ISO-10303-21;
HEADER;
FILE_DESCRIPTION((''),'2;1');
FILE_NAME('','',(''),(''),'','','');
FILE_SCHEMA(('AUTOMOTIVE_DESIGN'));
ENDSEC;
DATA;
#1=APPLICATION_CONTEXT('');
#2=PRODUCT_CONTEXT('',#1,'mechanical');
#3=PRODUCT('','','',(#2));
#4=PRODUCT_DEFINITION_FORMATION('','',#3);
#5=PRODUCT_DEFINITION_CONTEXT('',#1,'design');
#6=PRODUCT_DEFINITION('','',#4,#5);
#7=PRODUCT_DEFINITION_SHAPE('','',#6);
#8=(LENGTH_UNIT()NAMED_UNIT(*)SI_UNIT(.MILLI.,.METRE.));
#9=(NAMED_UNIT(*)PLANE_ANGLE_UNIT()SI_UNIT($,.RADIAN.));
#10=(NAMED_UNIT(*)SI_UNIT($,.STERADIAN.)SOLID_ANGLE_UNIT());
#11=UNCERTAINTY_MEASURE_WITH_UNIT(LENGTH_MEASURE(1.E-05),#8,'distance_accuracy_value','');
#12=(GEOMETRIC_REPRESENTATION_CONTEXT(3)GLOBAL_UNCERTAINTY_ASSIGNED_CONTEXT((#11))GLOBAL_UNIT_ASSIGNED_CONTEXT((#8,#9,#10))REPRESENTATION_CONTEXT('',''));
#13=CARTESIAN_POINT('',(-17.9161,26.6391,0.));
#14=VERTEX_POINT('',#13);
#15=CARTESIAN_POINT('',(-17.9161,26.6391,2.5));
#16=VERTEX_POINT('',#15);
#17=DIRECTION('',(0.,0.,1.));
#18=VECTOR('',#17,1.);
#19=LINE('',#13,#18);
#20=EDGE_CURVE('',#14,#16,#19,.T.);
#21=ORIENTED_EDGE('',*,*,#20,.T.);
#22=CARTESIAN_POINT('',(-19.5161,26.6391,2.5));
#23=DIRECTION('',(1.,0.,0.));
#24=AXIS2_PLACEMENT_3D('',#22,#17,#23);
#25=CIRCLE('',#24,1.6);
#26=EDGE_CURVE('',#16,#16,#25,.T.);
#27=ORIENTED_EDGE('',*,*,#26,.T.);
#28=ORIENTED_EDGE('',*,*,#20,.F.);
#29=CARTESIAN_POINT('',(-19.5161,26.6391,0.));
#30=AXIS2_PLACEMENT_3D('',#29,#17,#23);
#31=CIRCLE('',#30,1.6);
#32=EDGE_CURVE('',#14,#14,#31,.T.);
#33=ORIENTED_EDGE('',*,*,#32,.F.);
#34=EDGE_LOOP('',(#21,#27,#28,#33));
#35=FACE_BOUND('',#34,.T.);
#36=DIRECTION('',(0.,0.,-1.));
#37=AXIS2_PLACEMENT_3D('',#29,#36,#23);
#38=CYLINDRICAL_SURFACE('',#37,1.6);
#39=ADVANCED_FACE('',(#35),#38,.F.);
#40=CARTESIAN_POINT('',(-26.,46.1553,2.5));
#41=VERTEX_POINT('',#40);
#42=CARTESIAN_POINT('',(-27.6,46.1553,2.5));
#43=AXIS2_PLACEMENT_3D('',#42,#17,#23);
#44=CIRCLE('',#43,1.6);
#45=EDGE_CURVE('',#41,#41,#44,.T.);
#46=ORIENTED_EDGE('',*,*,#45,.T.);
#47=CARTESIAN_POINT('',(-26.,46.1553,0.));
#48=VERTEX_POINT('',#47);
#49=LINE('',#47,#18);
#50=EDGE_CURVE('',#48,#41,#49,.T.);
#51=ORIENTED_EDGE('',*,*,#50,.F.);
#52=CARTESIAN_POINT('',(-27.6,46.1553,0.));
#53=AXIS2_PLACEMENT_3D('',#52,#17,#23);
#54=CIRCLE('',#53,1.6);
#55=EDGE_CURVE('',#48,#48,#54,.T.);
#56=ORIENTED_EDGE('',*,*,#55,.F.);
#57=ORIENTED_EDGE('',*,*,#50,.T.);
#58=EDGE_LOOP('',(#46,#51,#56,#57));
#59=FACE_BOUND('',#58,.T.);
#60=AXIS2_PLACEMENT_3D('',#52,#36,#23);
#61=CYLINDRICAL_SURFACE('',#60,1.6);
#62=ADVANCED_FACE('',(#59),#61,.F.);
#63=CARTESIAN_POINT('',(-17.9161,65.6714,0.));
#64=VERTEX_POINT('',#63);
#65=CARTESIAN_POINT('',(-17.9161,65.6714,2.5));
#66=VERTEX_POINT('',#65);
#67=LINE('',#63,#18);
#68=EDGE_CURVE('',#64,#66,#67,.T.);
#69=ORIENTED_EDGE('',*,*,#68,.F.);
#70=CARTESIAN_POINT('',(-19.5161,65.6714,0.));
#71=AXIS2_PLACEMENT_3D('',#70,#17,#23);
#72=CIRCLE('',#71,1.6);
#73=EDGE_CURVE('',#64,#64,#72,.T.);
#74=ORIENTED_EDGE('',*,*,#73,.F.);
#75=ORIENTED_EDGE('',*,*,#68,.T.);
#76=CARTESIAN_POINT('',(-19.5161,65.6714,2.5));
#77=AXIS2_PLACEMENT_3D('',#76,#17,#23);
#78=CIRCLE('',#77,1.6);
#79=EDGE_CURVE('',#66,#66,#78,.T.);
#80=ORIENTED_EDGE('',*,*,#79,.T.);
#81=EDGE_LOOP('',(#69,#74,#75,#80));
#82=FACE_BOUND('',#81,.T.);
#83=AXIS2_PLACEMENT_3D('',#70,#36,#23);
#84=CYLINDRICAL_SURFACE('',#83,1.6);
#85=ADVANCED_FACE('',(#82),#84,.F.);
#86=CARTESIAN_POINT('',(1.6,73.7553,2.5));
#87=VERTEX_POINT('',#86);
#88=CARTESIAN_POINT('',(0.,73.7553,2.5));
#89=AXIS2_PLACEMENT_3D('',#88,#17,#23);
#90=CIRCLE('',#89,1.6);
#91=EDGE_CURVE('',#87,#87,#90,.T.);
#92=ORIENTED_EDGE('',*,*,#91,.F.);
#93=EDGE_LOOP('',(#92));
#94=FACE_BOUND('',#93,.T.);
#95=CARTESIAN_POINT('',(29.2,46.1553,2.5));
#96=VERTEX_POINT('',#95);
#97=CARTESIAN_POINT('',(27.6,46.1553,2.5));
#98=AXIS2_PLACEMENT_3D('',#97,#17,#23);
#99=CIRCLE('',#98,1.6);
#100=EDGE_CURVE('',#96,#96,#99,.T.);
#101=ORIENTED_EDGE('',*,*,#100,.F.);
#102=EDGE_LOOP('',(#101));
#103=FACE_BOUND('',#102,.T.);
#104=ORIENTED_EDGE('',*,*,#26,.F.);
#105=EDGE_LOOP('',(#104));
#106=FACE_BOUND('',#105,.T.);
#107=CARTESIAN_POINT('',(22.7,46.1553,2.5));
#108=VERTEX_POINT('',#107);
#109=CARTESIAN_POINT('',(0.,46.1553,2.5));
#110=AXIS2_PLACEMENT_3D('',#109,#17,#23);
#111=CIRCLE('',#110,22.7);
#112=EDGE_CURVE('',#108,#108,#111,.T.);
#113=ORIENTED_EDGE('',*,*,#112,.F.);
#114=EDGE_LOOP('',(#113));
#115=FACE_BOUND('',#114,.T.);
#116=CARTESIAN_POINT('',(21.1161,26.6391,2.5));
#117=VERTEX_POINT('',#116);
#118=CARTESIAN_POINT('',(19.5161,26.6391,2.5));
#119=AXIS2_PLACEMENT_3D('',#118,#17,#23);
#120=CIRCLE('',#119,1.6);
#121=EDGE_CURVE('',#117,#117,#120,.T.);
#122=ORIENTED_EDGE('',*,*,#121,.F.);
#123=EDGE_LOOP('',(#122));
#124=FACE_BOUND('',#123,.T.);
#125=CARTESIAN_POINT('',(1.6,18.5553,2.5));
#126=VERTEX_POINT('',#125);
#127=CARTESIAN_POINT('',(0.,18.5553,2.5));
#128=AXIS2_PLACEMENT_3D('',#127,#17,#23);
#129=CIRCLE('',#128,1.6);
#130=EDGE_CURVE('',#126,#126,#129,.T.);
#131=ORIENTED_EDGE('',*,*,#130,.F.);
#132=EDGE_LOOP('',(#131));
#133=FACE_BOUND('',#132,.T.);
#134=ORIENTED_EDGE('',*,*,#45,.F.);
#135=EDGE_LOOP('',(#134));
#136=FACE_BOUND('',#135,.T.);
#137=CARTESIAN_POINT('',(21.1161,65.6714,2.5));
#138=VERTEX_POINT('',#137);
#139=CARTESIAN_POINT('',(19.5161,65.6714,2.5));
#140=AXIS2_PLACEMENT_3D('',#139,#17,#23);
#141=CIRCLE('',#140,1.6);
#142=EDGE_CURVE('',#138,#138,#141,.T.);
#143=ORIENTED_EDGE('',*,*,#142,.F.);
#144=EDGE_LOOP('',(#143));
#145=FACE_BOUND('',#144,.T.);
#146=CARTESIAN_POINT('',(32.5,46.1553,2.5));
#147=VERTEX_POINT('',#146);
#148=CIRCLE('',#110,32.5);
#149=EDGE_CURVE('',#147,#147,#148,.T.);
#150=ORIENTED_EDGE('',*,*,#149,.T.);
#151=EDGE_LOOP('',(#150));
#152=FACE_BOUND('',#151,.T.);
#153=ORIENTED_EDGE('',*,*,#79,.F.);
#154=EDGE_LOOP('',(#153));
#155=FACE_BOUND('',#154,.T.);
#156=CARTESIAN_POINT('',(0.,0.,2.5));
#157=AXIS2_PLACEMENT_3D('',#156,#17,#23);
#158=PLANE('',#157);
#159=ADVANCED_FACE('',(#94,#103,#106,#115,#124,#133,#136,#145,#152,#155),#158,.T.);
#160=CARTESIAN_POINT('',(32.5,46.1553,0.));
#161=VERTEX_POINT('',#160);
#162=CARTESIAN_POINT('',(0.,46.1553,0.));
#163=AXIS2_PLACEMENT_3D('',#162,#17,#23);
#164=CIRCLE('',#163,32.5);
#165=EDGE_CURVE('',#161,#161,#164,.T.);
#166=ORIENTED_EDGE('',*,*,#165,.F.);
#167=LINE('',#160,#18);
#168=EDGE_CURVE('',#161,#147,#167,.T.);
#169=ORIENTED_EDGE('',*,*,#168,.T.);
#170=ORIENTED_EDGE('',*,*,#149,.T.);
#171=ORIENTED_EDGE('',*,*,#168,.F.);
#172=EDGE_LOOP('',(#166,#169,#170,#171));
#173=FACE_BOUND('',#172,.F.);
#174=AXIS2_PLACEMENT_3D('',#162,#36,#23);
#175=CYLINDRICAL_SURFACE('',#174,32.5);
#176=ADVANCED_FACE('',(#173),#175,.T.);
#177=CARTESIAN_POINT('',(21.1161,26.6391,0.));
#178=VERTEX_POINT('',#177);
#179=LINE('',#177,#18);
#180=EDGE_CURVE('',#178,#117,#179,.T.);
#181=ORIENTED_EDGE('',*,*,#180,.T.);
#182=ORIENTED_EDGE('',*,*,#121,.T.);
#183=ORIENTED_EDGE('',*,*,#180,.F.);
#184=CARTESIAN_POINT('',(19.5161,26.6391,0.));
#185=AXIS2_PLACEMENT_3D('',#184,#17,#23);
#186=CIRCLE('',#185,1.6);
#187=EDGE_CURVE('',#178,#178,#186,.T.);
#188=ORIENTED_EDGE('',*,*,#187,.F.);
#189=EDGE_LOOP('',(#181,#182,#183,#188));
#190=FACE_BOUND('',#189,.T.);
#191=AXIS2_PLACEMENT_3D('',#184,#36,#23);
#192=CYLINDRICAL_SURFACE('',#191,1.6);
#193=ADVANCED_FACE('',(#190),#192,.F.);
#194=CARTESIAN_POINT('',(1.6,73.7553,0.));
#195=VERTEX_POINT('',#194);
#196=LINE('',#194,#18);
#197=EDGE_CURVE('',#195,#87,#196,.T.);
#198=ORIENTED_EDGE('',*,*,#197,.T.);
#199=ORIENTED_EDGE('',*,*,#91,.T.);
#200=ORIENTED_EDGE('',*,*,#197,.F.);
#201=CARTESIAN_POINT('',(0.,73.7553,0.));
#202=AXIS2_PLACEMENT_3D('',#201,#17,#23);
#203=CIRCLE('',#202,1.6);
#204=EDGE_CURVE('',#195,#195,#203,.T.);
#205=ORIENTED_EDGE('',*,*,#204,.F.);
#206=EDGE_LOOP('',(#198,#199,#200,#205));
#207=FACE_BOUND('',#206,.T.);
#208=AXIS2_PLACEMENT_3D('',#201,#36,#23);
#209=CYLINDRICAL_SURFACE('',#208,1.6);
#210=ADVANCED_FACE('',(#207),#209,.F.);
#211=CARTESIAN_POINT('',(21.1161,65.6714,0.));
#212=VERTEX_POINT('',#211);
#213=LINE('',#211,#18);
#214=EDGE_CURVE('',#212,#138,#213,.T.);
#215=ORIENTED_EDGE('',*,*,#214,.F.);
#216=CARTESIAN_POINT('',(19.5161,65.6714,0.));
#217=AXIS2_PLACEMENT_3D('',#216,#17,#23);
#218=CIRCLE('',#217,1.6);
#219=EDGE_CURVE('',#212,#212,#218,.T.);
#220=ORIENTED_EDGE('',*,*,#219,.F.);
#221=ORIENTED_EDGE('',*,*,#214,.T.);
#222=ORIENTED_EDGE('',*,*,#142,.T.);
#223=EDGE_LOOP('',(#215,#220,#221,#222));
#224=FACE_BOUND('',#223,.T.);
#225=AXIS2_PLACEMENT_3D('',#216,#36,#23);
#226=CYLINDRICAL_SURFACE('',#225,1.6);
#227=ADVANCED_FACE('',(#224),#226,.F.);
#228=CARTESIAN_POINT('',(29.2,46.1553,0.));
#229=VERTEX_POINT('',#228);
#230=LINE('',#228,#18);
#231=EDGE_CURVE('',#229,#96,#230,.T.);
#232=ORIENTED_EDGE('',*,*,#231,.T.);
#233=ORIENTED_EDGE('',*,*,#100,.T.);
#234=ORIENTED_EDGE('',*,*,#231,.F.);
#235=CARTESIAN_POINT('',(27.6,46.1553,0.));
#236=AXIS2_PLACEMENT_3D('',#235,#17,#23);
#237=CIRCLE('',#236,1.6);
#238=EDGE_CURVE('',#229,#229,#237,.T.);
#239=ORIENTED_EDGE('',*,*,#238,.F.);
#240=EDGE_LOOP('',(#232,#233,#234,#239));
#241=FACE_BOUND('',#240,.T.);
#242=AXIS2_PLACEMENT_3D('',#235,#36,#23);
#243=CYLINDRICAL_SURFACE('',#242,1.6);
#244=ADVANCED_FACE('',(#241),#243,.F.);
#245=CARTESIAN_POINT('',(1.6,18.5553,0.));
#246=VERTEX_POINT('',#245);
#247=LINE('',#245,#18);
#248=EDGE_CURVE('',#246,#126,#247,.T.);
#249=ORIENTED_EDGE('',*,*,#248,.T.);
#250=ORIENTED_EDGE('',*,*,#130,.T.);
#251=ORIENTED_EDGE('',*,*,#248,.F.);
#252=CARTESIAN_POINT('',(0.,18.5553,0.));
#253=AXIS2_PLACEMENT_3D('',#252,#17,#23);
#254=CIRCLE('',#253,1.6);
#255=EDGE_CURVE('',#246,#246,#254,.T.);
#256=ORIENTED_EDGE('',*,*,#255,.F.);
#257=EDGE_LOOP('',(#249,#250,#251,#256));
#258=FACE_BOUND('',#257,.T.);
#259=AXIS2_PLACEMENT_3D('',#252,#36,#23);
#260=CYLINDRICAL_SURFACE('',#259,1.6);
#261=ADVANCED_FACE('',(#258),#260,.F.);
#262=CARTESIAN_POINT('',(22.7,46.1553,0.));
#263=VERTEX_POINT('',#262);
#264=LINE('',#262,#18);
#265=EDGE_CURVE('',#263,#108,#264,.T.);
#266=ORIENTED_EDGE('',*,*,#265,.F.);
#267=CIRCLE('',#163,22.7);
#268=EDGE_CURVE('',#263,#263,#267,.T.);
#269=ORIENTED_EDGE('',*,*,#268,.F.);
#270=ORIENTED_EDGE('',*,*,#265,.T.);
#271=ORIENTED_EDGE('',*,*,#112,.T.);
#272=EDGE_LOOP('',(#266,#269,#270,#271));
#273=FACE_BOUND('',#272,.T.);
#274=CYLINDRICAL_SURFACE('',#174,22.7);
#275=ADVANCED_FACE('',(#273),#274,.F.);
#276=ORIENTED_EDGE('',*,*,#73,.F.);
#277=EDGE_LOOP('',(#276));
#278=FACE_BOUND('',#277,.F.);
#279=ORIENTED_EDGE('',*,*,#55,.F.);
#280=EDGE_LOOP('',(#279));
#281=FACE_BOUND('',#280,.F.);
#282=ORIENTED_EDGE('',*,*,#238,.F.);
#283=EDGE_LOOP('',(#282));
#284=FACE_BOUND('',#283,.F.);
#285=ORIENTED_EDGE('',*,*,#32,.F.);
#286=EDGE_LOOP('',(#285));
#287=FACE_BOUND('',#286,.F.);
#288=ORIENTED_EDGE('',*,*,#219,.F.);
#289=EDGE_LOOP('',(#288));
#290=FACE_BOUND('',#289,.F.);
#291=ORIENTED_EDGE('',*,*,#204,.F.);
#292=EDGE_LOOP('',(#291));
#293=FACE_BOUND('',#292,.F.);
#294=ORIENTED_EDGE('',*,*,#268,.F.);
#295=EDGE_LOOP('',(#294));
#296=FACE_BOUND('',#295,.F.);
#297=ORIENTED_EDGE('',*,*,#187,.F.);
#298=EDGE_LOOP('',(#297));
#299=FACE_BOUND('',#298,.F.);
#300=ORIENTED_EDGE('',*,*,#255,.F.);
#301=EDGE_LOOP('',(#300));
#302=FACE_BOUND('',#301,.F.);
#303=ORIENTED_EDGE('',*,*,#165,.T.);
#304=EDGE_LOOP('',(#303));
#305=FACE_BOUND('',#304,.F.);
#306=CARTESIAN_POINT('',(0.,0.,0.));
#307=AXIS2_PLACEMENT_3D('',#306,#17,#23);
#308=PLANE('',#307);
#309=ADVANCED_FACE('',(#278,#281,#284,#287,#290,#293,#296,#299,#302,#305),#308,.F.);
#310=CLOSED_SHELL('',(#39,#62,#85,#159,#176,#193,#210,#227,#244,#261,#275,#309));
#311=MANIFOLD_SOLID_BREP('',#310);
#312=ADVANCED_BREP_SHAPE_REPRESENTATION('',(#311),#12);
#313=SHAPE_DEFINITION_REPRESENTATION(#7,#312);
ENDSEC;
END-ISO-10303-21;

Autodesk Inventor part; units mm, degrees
ref_plane "YZ Plane" through (0, 0, 0) normal (1, 0, 0) x (0, 1, 0)
ref_plane "XZ Plane" through (0, 0, 0) normal (0, 1, 0) x (-1, 0, 0)
ref_plane "XY Plane" through (0, 0, 0) normal (0, 0, 1) x (1, 0, 0)
sketch "スケッチ1" plane through (0, 0, 0) normal (0, 0, 1) x (1, 0, 0)
  circle A0 centre (0, 46.1553) radius 11.5 projected
  circle A1 centre (15, 0.6557) radius 1.6 projected
  circle A2 centre (-15, 0.6557) radius 1.6 projected
  circle A3 centre (15, -29.3443) radius 1.6 projected
  circle A4 centre (15, -59.3443) radius 1.6 projected
  circle A5 centre (-15, -29.3443) radius 1.6 projected
  circle A6 centre (-15, -59.3443) radius 1.6 projected
  circle A7 centre (13.5, 17.896) radius 1.1 projected
  circle A8 centre (13.5, 44.896) radius 1.1 projected
  circle A9 centre (-13.5, 17.896) radius 1.1 projected
  circle A10 centre (-13.5, 44.896) radius 1.1 projected
  line L0 (-22.5, 19.3457) -> (-22.5, -66.8443) projected
  line L1 (-22.5, -66.8443) -> (22.5, -66.8443) projected
  line L2 (22.5, -66.8443) -> (22.5, 19.3457) projected
  arc A11 (22.5, 19.3457) -> (-22.5, 19.3457) centre (0, 46.1553) ccw projected
  circle A12 centre (0, 46.1553) radius 5 projected
  circle A13 centre (3.8451, 52.0046) radius 0.8 projected
  circle A14 centre (6.855, 47.5725) radius 0.8 projected
  circle A15 centre (5.8494, 42.3101) radius 0.8 projected
  circle A16 centre (1.4172, 39.3002) radius 0.8 projected
  circle A17 centre (-3.8451, 40.3059) radius 0.8 projected
  circle A18 centre (-6.855, 44.738) radius 0.8 projected
  circle A19 centre (-5.8494, 50.0004) radius 0.8 projected
  circle A20 centre (-1.4172, 53.0103) radius 0.8 projected
  circle A21 centre (0, 46.1553) radius 10 projected
  circle A22 centre (0, 46.1553) radius 32.5
  circle A23 centre (0, 46.1553) radius 22.7
  circle A24 centre (0, 46.1553) radius 22.7 construction
  line L3 (0, 68.8553) -> (0, 78.6553) construction
  circle A25 centre (0, 73.7553) radius 1.6
  circle A26 centre (-19.5161, 65.6714) radius 1.6
  circle A27 centre (-27.6, 46.1553) radius 1.6
  circle A28 centre (-19.5161, 26.6391) radius 1.6
  circle A29 centre (0, 18.5553) radius 1.6
  circle A30 centre (19.5161, 26.6391) radius 1.6
  circle A31 centre (27.6, 46.1553) radius 1.6
  circle A32 centre (19.5161, 65.6714) radius 1.6
  circle A33 centre (0, 46.1553) radius 27.6 construction
  point P0 (0, 0)
  dimension "d0" = 65
  dimension "d1" = 45.4
  dimension "d3" = 3.2
  dimension "d6" = 360
  dimension "d13" = 27.6
  dimension "d14" = 55.2
extrude "押し出し1" add sketch "スケッチ1" along normal blind 2.5 contours A7 | A9 | A22
properties part number "軸受けワッシャA_ダブルスラスト用(t2_ジュラコン)" material "アルミニウム 6061"
